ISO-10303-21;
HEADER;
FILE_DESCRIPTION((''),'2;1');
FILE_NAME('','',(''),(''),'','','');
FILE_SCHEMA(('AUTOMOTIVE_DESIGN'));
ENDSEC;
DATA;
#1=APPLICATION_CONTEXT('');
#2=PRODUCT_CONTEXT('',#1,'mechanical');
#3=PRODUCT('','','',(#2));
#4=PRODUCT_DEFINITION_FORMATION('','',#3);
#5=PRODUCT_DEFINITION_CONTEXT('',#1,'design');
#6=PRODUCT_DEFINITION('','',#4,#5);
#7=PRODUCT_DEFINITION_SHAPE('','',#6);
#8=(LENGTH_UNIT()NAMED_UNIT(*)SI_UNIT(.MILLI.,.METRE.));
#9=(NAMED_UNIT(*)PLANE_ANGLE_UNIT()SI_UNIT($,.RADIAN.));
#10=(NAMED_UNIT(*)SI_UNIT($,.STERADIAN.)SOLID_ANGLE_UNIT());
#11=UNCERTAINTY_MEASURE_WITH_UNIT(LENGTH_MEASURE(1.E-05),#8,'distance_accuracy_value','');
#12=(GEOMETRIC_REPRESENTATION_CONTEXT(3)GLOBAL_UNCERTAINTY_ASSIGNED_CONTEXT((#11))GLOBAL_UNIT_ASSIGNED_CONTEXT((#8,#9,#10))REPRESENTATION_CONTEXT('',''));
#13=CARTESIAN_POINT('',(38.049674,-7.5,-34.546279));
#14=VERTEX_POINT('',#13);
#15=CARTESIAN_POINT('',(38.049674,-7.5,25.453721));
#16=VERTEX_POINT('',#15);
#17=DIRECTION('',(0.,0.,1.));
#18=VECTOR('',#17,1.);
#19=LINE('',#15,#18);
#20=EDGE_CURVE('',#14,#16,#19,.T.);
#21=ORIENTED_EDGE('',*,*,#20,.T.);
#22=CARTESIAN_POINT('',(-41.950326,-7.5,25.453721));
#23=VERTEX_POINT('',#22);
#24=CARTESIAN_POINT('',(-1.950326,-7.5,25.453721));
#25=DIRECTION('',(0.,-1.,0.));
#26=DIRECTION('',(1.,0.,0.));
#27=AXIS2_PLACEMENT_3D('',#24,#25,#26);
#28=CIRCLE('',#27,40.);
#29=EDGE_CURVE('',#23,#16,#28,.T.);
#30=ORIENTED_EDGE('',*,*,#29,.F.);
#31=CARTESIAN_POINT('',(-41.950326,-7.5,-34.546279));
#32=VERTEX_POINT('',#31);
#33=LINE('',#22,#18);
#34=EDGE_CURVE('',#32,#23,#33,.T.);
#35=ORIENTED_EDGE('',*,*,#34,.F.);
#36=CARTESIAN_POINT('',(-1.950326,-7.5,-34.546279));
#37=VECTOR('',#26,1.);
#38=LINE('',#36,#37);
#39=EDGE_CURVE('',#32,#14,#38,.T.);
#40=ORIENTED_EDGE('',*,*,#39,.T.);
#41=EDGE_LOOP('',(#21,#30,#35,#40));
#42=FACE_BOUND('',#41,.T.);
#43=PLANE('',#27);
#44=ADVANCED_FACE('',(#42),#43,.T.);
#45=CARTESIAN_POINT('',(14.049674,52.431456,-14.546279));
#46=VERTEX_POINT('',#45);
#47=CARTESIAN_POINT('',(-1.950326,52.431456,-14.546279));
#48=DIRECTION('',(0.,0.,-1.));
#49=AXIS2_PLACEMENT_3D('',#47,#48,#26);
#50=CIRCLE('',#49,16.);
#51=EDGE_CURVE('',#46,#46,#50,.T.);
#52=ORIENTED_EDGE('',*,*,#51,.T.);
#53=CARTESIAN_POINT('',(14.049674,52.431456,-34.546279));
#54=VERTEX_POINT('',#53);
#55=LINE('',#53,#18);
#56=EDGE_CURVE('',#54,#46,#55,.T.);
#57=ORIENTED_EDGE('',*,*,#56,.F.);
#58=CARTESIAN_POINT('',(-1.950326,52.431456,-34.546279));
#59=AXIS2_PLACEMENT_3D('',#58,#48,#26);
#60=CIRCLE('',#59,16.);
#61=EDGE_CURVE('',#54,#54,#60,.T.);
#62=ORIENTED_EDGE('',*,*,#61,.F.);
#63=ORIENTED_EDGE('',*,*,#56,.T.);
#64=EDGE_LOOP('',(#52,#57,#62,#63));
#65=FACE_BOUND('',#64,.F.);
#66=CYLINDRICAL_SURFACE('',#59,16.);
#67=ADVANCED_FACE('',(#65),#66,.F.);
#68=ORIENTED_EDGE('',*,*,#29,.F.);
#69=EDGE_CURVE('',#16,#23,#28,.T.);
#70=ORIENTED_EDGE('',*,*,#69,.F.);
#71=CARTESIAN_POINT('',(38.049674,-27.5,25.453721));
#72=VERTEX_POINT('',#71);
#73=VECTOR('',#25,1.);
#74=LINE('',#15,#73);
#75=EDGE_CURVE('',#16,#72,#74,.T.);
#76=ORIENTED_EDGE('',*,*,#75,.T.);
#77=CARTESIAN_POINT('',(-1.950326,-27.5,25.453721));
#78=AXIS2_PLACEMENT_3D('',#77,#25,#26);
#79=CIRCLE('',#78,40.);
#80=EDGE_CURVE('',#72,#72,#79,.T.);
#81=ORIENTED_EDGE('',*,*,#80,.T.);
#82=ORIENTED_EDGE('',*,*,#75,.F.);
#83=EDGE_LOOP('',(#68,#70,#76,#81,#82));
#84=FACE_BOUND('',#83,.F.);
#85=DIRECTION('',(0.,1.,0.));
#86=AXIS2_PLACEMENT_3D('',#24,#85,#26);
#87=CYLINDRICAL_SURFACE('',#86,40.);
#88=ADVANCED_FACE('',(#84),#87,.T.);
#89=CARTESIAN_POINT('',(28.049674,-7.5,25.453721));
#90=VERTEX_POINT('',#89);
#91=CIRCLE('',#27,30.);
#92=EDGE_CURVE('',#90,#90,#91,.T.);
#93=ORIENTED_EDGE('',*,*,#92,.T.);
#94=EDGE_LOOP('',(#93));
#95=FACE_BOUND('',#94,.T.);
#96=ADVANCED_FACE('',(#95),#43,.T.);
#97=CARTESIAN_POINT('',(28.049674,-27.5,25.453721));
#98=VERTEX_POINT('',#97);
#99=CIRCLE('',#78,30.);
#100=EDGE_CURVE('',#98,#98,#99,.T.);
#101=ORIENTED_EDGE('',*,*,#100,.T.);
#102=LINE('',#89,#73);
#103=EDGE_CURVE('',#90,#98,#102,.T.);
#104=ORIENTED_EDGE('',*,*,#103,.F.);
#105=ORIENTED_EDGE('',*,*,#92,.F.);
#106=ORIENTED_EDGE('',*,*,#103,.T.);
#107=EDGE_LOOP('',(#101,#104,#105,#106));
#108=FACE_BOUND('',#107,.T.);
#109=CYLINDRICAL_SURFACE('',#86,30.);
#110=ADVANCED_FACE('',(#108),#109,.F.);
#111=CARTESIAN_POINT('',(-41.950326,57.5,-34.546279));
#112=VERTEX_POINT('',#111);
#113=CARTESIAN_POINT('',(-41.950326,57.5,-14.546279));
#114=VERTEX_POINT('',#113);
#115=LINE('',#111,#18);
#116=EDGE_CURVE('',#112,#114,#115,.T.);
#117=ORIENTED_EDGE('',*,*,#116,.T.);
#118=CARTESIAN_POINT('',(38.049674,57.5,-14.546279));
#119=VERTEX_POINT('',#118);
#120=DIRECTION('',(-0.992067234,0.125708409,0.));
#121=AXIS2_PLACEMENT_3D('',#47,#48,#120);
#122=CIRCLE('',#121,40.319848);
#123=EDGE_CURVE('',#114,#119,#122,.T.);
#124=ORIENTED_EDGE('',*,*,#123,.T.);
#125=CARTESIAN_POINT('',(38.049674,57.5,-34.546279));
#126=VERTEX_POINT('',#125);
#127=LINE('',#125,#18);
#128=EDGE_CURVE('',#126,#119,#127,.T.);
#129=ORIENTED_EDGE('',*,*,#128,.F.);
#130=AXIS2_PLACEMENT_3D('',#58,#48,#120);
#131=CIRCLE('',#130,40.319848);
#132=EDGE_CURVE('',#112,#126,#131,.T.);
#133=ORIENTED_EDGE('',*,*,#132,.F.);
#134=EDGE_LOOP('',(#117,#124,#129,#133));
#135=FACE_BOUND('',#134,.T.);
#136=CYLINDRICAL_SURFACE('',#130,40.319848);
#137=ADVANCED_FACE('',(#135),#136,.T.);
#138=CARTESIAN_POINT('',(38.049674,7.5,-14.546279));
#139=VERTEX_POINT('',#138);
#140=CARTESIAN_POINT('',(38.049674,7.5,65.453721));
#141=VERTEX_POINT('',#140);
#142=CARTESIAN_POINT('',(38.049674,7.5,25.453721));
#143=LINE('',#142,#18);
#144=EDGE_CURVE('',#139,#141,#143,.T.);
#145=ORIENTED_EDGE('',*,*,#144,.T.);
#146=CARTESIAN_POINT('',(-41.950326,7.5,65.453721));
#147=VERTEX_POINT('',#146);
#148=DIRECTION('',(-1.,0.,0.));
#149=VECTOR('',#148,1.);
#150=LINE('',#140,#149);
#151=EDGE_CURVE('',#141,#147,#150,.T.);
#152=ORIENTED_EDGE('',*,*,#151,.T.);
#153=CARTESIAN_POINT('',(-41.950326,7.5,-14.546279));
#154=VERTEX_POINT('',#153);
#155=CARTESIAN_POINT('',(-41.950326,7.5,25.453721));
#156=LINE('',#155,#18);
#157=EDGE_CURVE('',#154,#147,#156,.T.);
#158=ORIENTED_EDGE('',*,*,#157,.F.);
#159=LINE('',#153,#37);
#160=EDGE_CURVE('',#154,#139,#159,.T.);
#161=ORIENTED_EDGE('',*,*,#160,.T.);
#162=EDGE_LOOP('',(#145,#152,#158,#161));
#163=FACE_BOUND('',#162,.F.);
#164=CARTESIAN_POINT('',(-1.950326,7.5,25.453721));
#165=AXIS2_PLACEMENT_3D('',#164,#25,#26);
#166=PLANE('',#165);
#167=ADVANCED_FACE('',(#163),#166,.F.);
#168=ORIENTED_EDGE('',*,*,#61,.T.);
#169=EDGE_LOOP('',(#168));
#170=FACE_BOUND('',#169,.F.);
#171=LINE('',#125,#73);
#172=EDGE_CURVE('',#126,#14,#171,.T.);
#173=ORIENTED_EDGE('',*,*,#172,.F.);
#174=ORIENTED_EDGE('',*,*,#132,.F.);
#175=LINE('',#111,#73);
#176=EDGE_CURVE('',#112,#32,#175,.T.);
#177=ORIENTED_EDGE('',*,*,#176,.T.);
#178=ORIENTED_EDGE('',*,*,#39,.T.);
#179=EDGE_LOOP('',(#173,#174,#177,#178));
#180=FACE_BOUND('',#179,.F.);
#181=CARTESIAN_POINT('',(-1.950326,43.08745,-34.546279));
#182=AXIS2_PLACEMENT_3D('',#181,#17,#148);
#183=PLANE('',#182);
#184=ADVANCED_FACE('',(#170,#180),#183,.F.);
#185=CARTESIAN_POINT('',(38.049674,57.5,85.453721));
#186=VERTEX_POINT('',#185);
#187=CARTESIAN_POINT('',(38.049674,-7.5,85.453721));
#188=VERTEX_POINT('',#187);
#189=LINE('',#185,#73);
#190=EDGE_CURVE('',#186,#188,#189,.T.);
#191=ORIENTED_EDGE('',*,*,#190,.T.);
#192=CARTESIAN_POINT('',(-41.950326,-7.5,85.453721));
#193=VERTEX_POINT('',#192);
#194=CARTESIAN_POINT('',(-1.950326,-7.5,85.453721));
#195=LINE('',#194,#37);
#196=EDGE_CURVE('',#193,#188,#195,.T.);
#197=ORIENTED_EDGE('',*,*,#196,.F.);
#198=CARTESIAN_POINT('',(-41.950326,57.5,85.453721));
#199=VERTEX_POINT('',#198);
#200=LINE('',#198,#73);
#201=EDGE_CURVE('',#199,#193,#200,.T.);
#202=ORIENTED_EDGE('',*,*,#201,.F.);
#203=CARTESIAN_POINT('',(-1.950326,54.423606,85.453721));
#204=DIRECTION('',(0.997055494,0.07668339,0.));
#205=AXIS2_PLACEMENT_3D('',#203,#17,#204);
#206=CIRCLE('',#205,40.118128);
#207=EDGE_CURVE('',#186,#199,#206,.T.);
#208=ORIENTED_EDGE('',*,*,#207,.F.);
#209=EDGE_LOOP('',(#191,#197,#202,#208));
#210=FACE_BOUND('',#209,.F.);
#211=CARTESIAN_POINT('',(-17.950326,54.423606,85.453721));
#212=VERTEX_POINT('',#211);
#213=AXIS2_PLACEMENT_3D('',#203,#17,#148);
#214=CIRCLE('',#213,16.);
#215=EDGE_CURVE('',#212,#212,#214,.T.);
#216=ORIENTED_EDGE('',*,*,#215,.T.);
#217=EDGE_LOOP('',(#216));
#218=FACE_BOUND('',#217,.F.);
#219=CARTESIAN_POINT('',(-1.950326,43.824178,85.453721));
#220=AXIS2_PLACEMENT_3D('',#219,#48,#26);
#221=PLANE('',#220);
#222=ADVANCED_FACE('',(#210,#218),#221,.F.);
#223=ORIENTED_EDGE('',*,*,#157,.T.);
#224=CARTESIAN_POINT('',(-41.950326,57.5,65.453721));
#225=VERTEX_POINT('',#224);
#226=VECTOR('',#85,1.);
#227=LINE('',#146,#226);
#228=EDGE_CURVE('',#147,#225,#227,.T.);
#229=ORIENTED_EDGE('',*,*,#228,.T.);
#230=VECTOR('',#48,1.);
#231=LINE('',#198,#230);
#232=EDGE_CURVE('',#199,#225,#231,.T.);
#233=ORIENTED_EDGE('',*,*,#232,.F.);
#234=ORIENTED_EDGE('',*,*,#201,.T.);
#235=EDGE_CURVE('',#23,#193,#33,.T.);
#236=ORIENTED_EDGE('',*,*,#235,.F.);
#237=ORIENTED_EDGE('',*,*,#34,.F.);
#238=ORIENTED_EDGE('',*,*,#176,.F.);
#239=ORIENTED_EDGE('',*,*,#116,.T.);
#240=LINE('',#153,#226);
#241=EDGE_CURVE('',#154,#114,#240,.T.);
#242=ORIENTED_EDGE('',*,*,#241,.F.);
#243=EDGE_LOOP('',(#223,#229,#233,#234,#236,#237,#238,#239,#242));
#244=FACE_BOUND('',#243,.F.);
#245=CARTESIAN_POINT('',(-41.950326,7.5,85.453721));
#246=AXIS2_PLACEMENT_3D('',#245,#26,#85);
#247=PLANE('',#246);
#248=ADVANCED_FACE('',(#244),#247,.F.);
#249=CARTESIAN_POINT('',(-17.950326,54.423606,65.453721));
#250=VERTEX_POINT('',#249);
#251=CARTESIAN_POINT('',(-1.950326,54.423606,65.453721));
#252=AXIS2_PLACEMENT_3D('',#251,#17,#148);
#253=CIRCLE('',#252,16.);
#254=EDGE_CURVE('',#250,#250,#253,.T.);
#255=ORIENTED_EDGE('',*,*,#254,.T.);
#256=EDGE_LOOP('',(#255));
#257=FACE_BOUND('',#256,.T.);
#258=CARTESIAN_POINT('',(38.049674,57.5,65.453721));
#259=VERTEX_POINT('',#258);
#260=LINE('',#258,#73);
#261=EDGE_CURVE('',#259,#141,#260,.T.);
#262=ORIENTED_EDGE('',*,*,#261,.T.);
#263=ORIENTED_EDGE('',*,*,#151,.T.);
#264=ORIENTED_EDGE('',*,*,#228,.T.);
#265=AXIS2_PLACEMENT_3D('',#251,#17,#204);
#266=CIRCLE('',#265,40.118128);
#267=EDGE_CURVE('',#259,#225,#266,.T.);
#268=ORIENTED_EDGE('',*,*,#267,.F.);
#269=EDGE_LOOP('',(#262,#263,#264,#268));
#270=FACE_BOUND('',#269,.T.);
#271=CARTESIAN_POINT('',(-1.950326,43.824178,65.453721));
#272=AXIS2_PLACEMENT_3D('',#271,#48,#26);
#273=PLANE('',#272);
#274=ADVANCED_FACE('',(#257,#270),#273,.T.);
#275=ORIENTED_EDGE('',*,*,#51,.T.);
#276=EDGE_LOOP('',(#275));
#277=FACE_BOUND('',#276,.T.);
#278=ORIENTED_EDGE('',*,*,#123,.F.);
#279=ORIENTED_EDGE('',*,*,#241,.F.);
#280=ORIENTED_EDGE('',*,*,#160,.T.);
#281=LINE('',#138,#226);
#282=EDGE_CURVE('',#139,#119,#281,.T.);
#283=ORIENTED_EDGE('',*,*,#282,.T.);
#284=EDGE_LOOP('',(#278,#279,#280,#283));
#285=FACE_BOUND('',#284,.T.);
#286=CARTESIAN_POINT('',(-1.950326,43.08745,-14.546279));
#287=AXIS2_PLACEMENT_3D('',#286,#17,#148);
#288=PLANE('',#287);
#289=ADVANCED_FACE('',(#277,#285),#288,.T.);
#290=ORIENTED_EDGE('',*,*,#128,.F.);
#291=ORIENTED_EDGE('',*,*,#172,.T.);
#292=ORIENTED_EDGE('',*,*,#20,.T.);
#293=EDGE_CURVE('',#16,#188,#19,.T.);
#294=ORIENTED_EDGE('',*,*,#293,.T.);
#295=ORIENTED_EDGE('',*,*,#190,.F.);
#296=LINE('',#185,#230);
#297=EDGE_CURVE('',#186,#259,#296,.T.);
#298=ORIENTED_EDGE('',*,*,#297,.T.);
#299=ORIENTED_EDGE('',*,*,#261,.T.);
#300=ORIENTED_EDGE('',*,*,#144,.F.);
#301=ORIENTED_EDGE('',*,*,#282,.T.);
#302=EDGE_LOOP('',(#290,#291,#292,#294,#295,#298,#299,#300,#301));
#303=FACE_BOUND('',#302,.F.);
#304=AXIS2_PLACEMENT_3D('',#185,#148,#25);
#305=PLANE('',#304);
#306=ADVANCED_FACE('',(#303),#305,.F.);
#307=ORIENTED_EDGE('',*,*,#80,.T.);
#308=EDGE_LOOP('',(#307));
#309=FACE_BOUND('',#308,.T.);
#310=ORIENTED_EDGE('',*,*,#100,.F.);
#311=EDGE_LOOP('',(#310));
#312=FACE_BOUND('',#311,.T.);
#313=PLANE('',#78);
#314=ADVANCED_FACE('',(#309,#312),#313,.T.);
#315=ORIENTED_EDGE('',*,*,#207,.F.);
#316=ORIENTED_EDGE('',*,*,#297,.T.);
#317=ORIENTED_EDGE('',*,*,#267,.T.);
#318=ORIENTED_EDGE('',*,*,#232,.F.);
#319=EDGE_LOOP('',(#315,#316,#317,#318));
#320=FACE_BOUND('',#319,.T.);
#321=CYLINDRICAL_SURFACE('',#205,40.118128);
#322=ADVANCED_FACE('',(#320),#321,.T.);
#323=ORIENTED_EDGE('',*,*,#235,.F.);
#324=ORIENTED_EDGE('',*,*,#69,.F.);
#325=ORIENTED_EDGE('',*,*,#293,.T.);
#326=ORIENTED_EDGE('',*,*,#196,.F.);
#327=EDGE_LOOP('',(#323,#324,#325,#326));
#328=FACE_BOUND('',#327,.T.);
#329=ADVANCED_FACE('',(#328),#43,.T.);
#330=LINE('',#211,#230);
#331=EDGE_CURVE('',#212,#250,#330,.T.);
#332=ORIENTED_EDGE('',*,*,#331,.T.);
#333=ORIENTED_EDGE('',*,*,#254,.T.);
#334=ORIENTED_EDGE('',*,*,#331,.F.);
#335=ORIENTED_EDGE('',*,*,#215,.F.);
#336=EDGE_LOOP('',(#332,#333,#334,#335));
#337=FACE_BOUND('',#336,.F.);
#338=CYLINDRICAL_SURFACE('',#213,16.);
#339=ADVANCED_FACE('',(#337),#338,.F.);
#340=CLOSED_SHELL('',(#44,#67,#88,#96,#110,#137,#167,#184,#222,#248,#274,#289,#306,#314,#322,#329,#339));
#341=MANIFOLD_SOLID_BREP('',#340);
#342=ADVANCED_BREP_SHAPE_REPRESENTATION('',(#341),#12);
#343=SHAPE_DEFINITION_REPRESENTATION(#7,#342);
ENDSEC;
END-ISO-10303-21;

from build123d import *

# Parameters (mm, degrees)
SKETCH_W      = 80
SKETCH_H      = 120
PAD_DEPTH     = 7.5
SKETCH001_R   = 16
PAD001_DEPTH  = 20
SKETCH002_R   = 16
PAD002_DEPTH  = 20
SKETCH003_R   = 40
SKETCH003_R_2 = 30
PAD003_DEPTH  = 20


with BuildPart() as part:
    # Sketch → Pad (new body, symmetric)
    with BuildSketch(Plane.XZ):
        with Locations((-1.950326, 25.453721)):
            Rectangle(SKETCH_W, SKETCH_H)
    extrude(amount=PAD_DEPTH, both=True)

    # Sketch001 (on Face3 of Pad) → Pad001 (join)
    with BuildSketch(Plane(origin=(0, 0, -34.546279), x_dir=(1, 0, 0), z_dir=(0, 0, -1))):
        with BuildLine():
            Line((-41.950326, -7.5), (38.049674, -7.5))
            Line((38.049674, -7.5), (38.049674, -57.5))
            ThreePointArc((-41.950326, -57.5), (-1.950326, -92.751304), (38.049674, -57.5))
            Line((-41.950326, -7.5), (-41.950326, -57.5))
        make_face()
        with Locations((-1.950326, -52.431456)):
            Circle(SKETCH001_R, mode=Mode.SUBTRACT)
    extrude(amount=-PAD001_DEPTH)

    # Sketch002 (on Face1 of Pad001) → Pad002 (join)
    with BuildSketch(Plane(origin=(0, 0, 85.453721), x_dir=(-1, 0, 0), z_dir=(0, 0, 1))):
        with BuildLine():
            Line((-38.049674, -57.5), (-38.049674, -7.5))
            Line((-38.049674, -7.5), (41.950326, -7.5))
            Line((41.950326, -7.5), (41.950326, -57.5))
            ThreePointArc((-38.049674, -57.5), (1.950326, -94.541734), (41.950326, -57.5))
        make_face()
        with Locations((1.950326, -54.423606)):
            Circle(SKETCH002_R, mode=Mode.SUBTRACT)
    extrude(amount=-PAD002_DEPTH)

    # Sketch003 (on Face5 of Pad002) → Pad003 (join)
    with BuildSketch(Plane.XZ.offset(7.5)):
        with Locations((-1.950326, 25.453721)):
            Circle(SKETCH003_R)
        with Locations((-1.950326, 25.453721)):
            Circle(SKETCH003_R_2, mode=Mode.SUBTRACT)
    extrude(amount=PAD003_DEPTH)


solid = part.part
